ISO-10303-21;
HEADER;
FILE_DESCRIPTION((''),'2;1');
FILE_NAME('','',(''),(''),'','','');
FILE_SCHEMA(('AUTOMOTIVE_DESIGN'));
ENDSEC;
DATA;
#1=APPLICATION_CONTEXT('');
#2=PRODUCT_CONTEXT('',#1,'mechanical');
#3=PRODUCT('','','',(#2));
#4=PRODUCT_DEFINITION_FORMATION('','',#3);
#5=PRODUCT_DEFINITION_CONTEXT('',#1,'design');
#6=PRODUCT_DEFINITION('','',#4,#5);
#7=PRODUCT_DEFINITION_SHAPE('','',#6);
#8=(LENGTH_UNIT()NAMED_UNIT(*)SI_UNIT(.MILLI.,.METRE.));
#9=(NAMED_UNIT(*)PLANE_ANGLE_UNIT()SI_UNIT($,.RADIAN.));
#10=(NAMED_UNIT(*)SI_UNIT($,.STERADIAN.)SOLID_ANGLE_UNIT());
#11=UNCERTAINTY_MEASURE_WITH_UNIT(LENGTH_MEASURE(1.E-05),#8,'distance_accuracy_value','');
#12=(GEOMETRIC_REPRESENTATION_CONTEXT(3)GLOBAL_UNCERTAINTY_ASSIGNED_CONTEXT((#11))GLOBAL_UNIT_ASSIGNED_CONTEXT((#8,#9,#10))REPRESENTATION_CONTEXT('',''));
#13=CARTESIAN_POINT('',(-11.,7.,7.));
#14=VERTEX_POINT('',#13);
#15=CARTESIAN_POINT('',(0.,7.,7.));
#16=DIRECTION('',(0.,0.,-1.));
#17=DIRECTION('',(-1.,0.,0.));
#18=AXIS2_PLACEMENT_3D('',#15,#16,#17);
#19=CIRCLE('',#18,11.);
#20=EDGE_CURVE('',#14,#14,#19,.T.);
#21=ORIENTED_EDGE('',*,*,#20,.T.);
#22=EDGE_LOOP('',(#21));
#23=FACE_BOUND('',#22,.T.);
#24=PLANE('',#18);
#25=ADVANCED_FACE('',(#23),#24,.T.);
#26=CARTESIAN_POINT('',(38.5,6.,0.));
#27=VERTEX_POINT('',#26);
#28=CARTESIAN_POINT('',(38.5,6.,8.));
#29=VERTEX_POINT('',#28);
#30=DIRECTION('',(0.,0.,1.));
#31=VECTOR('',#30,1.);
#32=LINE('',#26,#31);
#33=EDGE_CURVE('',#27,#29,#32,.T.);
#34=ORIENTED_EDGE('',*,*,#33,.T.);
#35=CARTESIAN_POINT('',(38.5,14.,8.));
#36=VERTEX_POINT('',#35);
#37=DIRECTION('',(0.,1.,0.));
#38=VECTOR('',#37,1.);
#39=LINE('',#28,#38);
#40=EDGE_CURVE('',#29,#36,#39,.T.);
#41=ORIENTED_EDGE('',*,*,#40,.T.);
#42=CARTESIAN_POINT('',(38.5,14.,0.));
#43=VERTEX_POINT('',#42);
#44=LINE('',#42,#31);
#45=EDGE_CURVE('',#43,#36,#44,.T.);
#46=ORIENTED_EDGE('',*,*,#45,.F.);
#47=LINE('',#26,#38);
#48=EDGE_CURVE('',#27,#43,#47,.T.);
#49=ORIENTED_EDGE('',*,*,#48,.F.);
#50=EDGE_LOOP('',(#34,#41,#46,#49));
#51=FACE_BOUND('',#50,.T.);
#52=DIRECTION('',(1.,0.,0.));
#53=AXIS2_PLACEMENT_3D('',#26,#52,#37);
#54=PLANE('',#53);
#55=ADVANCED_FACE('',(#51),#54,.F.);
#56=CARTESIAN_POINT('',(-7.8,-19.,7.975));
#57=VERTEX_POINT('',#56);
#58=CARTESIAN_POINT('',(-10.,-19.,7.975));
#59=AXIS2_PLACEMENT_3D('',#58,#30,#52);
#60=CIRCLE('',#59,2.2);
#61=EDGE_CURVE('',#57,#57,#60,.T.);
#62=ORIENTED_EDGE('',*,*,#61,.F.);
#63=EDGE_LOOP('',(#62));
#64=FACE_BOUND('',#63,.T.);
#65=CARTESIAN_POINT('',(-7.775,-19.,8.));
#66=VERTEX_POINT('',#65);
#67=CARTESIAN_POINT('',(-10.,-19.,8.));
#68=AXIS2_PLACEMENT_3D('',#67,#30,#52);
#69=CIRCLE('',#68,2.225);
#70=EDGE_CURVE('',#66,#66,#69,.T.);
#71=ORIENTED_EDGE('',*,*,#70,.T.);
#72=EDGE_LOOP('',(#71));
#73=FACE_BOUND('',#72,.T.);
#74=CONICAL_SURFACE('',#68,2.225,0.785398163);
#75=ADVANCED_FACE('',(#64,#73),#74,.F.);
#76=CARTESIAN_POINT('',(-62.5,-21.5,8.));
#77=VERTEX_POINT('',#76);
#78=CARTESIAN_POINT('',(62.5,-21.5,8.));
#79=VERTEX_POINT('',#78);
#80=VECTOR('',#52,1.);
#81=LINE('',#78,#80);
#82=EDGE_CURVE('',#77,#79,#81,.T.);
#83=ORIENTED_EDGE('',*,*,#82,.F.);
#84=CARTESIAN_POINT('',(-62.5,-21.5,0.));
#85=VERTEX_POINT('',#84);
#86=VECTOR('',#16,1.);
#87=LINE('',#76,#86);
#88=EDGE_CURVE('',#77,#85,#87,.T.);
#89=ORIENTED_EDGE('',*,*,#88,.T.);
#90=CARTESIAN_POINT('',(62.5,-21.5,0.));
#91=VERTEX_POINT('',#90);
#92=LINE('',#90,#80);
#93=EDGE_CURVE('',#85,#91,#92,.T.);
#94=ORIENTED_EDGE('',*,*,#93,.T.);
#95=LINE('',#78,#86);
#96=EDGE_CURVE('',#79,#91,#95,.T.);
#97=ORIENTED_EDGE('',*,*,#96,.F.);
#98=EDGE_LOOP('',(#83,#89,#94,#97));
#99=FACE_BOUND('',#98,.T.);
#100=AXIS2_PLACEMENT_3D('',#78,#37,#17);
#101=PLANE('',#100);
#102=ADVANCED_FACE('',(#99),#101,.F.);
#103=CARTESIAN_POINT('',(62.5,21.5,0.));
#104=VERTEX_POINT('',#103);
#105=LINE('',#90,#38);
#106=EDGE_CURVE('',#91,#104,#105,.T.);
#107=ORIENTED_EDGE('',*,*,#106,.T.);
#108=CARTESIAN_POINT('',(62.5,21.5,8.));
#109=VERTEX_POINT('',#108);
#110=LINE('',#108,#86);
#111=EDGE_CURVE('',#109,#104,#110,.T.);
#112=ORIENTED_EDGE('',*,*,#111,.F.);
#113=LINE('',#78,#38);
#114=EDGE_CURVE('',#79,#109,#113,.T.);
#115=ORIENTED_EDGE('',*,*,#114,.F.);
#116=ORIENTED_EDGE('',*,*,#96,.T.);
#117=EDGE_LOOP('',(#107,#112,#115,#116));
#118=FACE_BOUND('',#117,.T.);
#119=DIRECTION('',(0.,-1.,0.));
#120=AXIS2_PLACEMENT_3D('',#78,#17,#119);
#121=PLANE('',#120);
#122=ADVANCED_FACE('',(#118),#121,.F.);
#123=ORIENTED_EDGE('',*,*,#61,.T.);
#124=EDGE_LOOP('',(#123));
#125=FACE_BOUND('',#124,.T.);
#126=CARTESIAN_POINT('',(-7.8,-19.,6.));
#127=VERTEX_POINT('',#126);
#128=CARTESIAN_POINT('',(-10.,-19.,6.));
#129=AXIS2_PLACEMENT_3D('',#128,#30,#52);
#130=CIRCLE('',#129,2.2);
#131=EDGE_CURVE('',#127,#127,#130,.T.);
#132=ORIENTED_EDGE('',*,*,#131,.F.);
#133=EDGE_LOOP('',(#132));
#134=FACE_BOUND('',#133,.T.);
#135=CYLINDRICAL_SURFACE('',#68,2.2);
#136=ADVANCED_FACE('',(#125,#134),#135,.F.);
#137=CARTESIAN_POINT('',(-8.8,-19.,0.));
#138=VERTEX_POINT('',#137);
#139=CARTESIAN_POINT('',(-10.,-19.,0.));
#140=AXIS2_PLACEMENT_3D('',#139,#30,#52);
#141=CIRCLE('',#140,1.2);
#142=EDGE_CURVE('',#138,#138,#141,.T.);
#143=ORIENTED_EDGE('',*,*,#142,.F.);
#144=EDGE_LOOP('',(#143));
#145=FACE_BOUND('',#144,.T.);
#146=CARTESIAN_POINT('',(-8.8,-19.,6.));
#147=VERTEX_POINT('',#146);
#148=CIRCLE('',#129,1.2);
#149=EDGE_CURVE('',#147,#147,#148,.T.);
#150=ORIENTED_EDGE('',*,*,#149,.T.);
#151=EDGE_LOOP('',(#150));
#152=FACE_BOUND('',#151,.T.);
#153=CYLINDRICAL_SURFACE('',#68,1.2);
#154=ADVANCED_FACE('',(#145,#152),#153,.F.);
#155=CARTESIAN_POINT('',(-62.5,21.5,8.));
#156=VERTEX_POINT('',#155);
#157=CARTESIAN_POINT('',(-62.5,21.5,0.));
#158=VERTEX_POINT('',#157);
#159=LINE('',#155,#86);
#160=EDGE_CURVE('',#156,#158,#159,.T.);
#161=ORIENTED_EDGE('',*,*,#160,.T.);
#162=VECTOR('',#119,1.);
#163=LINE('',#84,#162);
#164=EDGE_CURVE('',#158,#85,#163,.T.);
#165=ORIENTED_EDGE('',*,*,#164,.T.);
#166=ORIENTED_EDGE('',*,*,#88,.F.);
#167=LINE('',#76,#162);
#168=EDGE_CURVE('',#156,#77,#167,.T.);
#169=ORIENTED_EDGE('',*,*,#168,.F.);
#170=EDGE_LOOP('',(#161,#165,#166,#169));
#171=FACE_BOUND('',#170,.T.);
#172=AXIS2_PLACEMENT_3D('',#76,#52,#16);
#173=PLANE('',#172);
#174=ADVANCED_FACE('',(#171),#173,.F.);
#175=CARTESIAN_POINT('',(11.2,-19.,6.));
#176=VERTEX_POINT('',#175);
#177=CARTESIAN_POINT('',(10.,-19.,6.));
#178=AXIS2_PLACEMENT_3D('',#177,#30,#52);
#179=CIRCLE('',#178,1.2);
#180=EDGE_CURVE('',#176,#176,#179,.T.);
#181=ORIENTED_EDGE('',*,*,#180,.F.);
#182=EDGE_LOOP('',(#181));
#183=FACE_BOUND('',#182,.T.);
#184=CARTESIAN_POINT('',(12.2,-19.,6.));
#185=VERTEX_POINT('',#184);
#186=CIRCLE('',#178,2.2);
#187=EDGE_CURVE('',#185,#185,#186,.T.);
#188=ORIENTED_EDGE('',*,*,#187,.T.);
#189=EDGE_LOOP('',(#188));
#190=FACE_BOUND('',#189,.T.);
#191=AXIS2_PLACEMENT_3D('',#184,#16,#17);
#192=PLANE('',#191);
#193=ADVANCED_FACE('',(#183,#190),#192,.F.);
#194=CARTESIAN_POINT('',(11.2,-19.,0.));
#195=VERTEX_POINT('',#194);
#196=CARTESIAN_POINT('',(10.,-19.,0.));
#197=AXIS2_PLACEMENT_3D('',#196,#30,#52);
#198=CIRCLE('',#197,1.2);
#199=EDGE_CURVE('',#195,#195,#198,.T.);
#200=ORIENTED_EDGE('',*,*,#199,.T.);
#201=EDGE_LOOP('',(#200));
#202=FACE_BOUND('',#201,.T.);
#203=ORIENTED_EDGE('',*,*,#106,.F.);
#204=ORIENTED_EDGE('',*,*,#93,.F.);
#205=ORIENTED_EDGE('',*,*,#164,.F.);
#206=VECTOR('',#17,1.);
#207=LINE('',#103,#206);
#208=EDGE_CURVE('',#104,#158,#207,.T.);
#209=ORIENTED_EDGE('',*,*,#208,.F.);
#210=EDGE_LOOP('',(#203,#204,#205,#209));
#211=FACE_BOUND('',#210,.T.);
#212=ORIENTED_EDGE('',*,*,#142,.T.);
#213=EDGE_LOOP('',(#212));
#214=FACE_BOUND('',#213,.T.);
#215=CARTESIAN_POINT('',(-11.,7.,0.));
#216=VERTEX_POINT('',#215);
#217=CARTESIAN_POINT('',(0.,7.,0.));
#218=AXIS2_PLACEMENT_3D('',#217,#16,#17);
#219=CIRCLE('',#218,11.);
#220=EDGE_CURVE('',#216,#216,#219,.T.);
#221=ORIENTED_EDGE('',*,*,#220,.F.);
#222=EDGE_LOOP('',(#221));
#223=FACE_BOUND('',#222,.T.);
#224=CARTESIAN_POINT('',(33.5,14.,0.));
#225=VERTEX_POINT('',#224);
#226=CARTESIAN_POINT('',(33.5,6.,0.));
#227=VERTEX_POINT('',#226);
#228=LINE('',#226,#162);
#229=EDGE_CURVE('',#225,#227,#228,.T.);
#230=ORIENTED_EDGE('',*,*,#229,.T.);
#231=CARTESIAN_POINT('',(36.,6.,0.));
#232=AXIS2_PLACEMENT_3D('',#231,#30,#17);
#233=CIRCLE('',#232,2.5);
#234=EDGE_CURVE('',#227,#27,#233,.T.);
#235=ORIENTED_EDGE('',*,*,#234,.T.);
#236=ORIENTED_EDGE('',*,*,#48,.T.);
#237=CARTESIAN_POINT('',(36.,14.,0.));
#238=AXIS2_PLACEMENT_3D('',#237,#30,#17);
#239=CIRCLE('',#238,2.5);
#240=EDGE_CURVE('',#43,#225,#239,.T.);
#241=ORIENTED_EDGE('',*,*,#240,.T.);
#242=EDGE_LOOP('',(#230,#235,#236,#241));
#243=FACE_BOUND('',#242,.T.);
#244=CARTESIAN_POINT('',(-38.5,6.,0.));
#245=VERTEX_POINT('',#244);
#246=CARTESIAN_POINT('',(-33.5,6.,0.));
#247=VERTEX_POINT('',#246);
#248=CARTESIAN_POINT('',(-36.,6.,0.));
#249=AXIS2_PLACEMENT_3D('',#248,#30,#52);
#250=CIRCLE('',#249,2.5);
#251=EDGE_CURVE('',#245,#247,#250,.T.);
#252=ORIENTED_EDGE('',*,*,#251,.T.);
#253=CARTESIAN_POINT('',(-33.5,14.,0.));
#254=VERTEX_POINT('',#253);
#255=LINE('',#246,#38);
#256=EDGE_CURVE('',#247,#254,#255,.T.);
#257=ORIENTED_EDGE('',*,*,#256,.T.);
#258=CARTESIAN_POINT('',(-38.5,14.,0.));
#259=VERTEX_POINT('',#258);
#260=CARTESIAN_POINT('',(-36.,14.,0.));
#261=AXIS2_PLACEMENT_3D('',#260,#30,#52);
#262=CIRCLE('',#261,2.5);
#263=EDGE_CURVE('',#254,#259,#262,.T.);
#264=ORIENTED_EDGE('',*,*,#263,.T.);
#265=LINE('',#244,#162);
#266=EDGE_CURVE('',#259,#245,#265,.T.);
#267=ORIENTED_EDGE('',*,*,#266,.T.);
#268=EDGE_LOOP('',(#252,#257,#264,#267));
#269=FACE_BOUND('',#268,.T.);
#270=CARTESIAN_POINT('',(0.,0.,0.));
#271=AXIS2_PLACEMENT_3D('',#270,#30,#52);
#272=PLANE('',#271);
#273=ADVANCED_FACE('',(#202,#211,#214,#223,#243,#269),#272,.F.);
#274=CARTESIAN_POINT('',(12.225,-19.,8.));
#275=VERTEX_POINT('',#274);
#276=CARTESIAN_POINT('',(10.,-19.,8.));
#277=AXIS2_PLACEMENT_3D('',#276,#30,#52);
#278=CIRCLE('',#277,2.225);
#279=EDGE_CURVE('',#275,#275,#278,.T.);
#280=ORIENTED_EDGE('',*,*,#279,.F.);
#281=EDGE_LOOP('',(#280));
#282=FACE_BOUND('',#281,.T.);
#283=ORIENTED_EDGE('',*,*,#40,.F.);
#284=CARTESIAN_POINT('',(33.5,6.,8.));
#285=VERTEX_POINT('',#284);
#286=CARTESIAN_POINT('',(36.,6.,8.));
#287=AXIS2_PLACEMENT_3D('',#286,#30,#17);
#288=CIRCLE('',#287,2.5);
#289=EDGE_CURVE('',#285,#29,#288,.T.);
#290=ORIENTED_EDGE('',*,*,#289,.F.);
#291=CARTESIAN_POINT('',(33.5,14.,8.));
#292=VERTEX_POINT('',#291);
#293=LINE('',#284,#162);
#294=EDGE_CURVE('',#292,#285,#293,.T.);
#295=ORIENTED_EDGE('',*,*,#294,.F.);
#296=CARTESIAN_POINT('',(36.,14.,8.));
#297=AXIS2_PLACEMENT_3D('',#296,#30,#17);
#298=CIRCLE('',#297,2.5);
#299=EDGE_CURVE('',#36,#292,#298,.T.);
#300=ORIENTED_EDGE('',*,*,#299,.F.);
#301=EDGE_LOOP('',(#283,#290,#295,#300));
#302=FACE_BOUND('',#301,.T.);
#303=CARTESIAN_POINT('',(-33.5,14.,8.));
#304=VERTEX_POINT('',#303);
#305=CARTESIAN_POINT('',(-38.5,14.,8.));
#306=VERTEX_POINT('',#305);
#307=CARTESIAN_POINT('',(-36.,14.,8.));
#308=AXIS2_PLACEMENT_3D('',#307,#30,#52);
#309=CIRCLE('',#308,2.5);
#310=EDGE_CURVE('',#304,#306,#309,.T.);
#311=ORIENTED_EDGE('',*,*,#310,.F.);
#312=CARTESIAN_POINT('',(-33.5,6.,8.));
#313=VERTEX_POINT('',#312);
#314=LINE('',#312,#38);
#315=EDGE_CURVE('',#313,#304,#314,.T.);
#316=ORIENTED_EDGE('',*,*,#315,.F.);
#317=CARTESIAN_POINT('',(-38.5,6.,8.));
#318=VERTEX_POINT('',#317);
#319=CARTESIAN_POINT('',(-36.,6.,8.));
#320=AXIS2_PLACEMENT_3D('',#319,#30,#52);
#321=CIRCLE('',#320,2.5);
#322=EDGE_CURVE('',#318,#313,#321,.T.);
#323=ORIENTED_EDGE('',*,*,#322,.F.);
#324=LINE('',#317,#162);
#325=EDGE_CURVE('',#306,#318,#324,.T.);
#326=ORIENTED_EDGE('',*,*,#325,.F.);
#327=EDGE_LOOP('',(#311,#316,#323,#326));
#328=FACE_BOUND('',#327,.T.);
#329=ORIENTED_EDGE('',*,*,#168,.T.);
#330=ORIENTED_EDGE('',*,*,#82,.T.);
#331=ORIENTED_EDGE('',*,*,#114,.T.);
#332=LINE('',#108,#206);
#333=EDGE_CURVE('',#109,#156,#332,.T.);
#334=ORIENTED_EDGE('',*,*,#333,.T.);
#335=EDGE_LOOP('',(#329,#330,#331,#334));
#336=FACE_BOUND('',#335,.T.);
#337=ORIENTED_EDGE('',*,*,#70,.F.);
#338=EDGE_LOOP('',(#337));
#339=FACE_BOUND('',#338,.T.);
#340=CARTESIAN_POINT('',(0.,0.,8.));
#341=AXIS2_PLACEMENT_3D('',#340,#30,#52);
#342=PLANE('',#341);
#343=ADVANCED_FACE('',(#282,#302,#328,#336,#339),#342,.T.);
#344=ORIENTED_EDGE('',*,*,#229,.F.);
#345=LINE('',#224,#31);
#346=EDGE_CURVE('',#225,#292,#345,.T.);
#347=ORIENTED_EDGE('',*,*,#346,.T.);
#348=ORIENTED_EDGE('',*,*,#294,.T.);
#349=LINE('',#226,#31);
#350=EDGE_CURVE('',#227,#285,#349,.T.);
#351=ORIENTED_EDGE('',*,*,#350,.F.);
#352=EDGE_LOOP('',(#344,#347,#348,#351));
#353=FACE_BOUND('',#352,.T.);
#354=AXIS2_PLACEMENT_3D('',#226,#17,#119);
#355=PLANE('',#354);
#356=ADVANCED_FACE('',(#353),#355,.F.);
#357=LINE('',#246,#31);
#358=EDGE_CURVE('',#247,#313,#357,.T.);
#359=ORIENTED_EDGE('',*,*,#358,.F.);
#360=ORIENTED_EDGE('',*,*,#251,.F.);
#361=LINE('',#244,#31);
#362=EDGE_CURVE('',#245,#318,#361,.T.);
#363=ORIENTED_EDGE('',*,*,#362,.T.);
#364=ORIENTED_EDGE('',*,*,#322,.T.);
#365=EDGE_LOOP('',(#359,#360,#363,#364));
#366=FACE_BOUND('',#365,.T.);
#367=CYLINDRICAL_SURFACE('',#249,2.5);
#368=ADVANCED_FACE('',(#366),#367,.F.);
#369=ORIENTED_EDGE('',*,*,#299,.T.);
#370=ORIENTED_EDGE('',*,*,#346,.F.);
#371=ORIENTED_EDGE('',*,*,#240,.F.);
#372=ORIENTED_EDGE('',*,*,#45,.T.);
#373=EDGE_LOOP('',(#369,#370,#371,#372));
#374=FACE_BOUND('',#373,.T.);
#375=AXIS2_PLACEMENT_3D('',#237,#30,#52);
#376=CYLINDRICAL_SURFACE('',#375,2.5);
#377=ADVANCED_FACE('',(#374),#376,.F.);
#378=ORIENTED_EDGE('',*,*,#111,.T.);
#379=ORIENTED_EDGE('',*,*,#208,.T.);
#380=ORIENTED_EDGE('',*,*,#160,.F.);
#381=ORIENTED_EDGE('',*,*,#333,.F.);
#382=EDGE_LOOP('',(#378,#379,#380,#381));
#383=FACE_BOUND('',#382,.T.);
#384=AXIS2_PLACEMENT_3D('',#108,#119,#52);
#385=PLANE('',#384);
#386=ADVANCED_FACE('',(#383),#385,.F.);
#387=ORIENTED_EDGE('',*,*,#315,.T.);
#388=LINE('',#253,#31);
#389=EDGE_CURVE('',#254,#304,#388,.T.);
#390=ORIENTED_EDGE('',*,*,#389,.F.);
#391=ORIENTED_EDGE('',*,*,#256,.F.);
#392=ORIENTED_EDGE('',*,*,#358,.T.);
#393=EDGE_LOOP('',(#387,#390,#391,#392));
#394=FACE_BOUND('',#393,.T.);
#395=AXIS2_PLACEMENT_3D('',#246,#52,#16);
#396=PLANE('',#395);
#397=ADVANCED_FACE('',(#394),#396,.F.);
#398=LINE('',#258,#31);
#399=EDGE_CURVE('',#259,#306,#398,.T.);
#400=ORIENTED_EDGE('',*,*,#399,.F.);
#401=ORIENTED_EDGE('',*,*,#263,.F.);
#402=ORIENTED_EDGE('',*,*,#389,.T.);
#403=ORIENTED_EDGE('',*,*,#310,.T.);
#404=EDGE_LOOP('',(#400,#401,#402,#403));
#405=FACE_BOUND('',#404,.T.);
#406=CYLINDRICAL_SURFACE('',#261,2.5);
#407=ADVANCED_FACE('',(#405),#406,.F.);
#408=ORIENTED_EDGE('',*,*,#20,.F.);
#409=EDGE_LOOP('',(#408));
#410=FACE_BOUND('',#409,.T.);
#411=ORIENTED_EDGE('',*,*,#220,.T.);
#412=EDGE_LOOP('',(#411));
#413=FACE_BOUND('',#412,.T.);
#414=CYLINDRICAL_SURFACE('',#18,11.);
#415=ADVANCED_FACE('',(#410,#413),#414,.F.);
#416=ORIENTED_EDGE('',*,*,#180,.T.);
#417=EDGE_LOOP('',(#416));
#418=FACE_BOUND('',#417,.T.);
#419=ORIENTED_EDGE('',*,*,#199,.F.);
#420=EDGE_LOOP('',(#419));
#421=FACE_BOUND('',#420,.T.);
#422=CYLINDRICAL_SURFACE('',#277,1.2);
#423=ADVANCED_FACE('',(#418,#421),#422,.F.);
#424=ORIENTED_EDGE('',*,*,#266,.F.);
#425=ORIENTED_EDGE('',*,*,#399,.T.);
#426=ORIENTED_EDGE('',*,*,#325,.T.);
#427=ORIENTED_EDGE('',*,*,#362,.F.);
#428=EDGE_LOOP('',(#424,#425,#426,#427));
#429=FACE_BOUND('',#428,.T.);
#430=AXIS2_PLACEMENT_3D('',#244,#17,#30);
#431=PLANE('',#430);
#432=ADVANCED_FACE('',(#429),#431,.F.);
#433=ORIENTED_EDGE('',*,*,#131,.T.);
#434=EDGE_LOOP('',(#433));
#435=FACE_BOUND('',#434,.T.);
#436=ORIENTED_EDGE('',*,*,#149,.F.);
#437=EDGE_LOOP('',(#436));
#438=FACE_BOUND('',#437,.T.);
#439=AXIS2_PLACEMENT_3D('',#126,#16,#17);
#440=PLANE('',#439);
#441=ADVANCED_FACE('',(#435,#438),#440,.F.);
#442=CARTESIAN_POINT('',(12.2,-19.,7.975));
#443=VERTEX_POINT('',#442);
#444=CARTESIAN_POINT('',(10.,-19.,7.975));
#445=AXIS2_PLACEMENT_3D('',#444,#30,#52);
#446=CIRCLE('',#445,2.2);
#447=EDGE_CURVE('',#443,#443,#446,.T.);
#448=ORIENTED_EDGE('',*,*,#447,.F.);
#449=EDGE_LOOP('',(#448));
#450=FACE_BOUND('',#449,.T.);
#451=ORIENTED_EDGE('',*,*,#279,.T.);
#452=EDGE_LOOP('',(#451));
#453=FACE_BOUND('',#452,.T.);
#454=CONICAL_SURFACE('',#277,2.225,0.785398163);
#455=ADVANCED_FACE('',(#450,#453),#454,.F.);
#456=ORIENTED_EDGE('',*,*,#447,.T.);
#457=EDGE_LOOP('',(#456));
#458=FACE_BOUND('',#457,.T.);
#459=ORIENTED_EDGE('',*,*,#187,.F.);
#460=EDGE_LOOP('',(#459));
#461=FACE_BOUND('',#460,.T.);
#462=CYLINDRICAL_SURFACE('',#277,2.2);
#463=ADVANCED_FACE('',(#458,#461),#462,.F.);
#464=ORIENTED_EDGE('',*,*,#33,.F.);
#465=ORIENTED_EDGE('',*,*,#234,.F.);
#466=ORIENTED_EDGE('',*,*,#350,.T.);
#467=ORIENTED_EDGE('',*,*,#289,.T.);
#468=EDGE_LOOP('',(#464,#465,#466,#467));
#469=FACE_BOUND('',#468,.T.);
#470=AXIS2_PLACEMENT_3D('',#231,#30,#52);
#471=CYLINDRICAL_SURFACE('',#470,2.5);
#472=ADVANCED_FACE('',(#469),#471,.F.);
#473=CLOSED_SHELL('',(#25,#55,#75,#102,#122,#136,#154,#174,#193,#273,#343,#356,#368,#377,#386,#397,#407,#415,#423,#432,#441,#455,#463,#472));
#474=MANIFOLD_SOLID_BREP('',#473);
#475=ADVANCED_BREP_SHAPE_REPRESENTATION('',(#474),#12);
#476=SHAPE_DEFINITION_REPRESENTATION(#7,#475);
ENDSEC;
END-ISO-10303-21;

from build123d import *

# Parameters (mm, degrees)
ESBO_O1_W                        = 125
ESBO_O1_H                        = 43
RESSALTO_EXTRUS_O1_DEPTH         = 8
CORTE_EXTRUS_O1_DEPTH            = 9
REBAIXO_PARA_SHCS_M21_AT_2_COUNT = 2
REBAIXO_PARA_SHCS_M21_AT_2_PITCH = 20
ESBO_O6_R                        = 11
CORTE_EXTRUS_O2_DEPTH            = 7


with BuildPart() as part:
    # Esboço1 → Ressalto-extrusão1 (new body)
    with BuildSketch(Plane.XY):
        Rectangle(ESBO_O1_W, ESBO_O1_H)
    extrude(amount=RESSALTO_EXTRUS_O1_DEPTH)

    # Esboço2 → Corte-extrusão1 (cut, through all)
    with BuildSketch(Plane.XY.offset(8)):
        with BuildLine():
            Line((-33.5, 6), (-33.5, 14))
            ThreePointArc((-33.5, 14), (-36, 16.5), (-38.5, 14))
            Line((-38.5, 14), (-38.5, 6))
            ThreePointArc((-38.5, 6), (-36, 3.5), (-33.5, 6))
        make_face()
        with BuildLine():
            Line((38.5, 6), (38.5, 14))
            ThreePointArc((38.5, 14), (36, 16.5), (33.5, 14))
            Line((33.5, 14), (33.5, 6))
            ThreePointArc((33.5, 6), (36, 3.5), (38.5, 6))
        make_face()
    extrude(amount=-CORTE_EXTRUS_O1_DEPTH, mode=Mode.SUBTRACT)

    # Esboço4 → Rebaixo para SHCS M21 (revolve, cut)
    with BuildSketch(Plane(origin=(-10, -19, 8), x_dir=(0, -1, 0), z_dir=(1, 0, 0))):
        Polygon((0, 0), (0, 8), (1.2, 8), (1.2, 2), (2.2, 2), (2.2, 0.025), (2.225, 0), align=None)
    rebaixo_para_shcs_m21 = revolve(axis=Axis((-10, -19, 14.35), (0, 0, -1)), mode=Mode.SUBTRACT)

    # Rebaixo para SHCS M21 at 2: Rebaixo para SHCS M21 ×2
    with Locations(*[(i * REBAIXO_PARA_SHCS_M21_AT_2_PITCH, 0, 0) for i in range(1, REBAIXO_PARA_SHCS_M21_AT_2_COUNT)]):
        add(rebaixo_para_shcs_m21, mode=Mode.SUBTRACT)

    # Esboço6 → Corte-extrusão2 (cut)
    with BuildSketch(Plane(origin=(0, 0, 0), x_dir=(-1, 0, 0), z_dir=(0, 0, -1))):
        with Locations((0, 7)):
            Circle(ESBO_O6_R)
    extrude(amount=-CORTE_EXTRUS_O2_DEPTH, mode=Mode.SUBTRACT)


solid = part.part
